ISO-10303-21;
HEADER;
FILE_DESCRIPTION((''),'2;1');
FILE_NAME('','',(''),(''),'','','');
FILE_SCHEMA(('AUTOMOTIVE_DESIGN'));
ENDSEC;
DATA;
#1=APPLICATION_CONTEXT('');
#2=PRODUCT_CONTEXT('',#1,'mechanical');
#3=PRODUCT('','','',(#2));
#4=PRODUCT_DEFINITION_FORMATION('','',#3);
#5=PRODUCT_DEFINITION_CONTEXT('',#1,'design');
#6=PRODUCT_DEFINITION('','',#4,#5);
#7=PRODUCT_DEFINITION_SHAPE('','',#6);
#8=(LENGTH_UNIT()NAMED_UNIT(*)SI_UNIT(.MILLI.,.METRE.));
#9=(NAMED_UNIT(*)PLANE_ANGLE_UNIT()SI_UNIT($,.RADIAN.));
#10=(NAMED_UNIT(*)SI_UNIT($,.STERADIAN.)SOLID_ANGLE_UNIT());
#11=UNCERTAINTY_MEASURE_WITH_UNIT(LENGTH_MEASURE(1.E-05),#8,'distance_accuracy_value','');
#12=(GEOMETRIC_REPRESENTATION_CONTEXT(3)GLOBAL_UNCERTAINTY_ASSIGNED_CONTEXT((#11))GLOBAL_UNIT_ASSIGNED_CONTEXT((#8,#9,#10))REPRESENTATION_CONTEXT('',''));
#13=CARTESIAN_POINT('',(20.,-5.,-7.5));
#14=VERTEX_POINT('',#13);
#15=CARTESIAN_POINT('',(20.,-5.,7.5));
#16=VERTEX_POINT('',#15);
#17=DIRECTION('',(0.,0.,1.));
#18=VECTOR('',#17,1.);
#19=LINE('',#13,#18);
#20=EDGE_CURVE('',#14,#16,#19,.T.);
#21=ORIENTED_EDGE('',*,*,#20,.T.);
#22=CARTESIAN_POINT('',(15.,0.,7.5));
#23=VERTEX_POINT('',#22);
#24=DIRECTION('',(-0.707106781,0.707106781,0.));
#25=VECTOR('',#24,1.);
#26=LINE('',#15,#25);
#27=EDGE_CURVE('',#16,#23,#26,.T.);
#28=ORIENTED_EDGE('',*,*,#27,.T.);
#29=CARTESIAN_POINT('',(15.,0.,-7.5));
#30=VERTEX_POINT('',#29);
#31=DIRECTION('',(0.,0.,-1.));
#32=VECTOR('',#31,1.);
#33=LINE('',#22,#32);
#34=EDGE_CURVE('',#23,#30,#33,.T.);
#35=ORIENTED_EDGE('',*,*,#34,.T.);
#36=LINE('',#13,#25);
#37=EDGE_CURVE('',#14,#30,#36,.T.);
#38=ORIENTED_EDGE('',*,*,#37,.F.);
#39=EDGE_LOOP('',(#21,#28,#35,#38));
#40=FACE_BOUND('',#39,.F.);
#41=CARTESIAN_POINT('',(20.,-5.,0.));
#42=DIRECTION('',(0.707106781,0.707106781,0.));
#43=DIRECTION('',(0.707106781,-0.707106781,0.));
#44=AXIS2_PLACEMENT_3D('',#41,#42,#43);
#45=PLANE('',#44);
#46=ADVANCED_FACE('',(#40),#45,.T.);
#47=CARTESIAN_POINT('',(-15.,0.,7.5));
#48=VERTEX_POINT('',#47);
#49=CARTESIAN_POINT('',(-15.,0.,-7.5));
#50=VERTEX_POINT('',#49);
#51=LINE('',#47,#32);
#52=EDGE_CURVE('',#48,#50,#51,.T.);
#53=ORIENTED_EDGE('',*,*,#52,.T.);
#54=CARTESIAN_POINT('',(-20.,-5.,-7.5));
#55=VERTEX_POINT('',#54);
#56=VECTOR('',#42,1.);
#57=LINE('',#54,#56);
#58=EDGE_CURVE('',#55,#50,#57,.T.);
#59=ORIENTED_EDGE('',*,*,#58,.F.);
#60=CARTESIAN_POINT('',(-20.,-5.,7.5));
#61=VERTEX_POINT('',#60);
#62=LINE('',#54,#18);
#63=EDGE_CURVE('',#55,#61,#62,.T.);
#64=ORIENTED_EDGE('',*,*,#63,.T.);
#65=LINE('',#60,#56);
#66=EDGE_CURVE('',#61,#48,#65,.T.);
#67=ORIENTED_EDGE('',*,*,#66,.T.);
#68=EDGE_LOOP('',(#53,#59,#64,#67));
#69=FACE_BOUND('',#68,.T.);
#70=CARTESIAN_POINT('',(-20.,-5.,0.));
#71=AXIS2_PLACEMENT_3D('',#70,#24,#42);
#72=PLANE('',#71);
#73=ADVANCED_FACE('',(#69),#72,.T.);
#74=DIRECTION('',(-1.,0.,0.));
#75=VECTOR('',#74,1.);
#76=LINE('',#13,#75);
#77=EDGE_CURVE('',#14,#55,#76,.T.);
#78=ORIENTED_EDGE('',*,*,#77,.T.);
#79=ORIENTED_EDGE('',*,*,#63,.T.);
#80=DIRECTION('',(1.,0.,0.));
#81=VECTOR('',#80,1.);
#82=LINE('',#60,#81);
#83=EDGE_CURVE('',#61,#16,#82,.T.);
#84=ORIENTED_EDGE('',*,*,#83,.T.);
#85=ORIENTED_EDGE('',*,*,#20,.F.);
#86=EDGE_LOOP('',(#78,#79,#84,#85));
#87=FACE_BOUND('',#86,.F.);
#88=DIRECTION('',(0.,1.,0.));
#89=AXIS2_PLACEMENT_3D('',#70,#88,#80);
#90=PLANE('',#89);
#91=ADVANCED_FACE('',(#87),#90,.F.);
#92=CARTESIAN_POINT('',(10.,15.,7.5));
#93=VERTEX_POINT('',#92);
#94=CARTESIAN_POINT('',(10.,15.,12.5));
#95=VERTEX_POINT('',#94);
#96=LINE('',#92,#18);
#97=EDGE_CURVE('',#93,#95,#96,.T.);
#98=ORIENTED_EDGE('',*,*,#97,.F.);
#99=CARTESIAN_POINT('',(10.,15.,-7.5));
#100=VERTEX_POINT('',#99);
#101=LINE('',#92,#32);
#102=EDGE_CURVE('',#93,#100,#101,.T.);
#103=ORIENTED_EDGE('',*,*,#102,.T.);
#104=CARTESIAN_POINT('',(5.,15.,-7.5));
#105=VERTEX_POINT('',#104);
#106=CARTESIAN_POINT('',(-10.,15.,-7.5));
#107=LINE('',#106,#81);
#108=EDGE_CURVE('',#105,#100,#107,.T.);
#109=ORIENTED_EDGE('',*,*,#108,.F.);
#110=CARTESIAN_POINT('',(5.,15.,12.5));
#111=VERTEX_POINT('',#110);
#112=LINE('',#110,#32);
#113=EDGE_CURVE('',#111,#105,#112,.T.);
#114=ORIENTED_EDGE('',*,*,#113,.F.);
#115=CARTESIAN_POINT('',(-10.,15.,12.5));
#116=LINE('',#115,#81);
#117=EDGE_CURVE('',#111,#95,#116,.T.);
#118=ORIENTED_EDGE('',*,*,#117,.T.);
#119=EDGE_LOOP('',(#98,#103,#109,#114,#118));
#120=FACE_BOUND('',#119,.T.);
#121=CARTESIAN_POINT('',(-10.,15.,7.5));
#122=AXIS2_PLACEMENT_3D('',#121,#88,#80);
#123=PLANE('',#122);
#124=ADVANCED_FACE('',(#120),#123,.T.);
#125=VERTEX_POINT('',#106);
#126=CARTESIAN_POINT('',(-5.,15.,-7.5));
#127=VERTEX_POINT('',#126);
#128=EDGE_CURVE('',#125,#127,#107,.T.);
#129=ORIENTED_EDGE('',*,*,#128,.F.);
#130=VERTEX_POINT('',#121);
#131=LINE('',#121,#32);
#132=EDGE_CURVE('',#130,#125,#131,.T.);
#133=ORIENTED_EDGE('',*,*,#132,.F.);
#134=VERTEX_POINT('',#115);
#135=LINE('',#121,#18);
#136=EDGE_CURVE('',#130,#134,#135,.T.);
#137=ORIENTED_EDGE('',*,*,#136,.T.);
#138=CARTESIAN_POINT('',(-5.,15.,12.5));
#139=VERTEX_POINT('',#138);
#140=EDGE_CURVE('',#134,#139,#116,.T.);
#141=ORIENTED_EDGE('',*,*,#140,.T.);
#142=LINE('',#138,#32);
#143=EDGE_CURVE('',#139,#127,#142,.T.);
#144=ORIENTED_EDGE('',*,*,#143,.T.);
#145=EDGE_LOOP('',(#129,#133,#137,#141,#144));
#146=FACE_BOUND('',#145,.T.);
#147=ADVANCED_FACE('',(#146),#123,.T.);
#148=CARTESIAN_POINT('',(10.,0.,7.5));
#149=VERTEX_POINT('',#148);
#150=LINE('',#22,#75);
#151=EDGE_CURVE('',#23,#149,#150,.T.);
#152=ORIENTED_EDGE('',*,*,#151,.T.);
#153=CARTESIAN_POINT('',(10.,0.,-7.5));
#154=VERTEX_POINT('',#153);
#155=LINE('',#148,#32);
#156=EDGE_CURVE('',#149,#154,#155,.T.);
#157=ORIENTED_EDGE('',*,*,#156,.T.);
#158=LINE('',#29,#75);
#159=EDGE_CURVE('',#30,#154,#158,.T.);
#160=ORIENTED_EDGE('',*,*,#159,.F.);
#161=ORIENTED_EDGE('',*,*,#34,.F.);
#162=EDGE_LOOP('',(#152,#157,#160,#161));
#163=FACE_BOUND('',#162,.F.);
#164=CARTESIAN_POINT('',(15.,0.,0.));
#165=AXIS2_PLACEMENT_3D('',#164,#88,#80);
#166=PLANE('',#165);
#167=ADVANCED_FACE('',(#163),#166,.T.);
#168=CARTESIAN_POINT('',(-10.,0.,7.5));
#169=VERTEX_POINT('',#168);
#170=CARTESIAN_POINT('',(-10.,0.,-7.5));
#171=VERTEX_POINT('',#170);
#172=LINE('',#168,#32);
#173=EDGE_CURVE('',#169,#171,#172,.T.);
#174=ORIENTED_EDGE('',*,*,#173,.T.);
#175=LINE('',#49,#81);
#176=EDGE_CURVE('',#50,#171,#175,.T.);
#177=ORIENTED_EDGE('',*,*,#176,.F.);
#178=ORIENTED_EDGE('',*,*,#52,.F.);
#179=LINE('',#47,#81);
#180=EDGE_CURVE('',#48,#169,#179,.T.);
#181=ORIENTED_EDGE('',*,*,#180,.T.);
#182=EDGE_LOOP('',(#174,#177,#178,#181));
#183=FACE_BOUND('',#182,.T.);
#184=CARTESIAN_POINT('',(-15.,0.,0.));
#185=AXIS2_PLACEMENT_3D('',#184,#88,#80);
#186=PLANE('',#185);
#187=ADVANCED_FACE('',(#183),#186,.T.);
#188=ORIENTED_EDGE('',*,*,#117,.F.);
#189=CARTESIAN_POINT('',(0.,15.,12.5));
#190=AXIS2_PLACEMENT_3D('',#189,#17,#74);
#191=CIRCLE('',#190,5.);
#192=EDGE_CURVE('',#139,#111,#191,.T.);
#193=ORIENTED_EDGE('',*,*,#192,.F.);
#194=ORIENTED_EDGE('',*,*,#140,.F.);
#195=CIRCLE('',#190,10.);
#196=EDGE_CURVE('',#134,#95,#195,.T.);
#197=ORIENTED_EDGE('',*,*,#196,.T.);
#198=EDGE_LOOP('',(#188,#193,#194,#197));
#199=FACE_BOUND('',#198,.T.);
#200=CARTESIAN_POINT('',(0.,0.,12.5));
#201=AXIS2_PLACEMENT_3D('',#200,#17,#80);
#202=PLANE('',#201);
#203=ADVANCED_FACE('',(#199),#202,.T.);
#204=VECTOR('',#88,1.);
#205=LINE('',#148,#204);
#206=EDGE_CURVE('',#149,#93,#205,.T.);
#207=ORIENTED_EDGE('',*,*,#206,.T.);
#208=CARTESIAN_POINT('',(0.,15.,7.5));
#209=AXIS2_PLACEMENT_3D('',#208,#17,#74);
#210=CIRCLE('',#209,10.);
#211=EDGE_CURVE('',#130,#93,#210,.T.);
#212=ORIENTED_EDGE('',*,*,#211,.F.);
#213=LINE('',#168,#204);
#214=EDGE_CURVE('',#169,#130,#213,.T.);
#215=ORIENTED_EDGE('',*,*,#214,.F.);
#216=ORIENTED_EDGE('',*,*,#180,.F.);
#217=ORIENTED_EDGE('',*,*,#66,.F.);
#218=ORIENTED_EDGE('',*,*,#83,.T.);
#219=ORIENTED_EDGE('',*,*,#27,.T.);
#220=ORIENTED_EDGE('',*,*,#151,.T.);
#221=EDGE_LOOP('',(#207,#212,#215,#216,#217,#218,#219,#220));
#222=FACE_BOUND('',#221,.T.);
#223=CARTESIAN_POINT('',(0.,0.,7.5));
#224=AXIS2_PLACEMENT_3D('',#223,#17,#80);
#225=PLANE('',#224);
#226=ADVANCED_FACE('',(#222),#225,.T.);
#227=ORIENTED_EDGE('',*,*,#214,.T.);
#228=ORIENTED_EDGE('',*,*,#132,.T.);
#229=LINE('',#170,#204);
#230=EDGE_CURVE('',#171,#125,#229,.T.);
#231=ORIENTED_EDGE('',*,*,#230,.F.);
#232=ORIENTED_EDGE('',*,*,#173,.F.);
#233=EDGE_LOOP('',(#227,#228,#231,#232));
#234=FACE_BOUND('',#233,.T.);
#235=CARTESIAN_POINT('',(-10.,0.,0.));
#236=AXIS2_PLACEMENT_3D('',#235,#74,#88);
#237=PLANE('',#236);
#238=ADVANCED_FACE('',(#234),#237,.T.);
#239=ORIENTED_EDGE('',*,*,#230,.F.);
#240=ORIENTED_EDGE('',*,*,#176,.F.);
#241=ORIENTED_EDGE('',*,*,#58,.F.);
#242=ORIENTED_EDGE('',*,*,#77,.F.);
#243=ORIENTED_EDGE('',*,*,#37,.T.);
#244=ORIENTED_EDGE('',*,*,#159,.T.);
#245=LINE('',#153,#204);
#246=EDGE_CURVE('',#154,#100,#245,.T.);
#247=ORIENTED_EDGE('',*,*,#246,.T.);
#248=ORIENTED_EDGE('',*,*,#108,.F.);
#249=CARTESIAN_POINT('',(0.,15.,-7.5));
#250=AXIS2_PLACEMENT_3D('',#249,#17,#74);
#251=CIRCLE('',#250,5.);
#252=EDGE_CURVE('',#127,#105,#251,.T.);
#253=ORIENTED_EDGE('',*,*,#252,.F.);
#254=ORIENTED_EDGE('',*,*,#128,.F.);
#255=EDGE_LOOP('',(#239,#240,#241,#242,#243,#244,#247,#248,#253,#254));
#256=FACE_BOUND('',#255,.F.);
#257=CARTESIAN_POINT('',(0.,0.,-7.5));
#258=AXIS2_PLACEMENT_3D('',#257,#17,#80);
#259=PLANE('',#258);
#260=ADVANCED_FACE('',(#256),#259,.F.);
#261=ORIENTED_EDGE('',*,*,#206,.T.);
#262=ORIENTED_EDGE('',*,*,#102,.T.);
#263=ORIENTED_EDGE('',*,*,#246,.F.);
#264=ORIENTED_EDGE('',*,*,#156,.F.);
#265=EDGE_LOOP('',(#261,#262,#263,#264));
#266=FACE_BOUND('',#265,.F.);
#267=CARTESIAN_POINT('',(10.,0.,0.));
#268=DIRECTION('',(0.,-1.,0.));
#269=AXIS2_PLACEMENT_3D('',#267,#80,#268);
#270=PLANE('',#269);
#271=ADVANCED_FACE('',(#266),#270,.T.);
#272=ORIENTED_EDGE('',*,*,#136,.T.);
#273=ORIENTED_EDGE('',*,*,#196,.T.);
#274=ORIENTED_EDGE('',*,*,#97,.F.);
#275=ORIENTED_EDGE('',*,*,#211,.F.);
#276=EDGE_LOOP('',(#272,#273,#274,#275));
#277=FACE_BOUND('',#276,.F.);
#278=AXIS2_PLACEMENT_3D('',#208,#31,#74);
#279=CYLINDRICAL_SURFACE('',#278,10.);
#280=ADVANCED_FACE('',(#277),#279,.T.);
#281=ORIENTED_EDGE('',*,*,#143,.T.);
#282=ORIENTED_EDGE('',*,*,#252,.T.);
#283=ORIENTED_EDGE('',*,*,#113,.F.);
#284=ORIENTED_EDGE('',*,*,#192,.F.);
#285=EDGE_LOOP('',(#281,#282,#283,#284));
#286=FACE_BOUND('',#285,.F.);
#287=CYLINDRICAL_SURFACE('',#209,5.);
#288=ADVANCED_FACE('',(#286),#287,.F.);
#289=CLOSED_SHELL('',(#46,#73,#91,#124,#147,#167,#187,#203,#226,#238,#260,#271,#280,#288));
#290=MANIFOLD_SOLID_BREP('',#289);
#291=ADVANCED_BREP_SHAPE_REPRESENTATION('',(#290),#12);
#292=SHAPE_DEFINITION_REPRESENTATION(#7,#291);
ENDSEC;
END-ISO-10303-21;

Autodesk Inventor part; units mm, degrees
ref_plane "YZ Plane" through (0, 0, 0) normal (1, 0, 0) x (0, 1, 0)
ref_plane "XZ Plane" through (0, 0, 0) normal (0, 1, 0) x (-1, 0, 0)
ref_plane "XY Plane" through (0, 0, 0) normal (0, 0, 1) x (1, 0, 0)
sketch "草圖1" plane through (0, 0, 0) normal (0, 0, 1) x (1, 0, 0)
  line L0 (-20, -5) -> (0, -5)
  line L1 (-20, -5) -> (-15, 0)
  line L2 (-15, 0) -> (-10, 0)
  line L3 (-10, 0) -> (-10, 15)
  line L4 (-10, 15) -> (0, 15)
  line L5 (0, -5) -> (0, 15)
  point P0 (0, 0)
  dimension "d0" = 20
  dimension "d1" = 5
  dimension "d2" = 5
  dimension "d3" = 20
  dimension "d4" = 10
extrude "擠出1" add sketch "草圖1" along normal mid plane 15
mirror "鏡射1" about plane through (0, -5, 0) normal (1, 0, 0) of "擠出1"
sketch "草圖2" plane through (0, 0, 7.5) normal (0, 0, 1) x (1, 0, 0)
  line L0 (-20, -5) -> (20, -5) construction
  line L1 (15, 0) -> (20, -5) construction
  line L2 (10, 0) -> (15, 0) construction
  line L3 (10, 15) -> (10, 0) construction
  line L4 (-10, 15) -> (10, 15) construction
  line L5 (-10, 15) -> (-10, 0) construction
  line L6 (-10, 0) -> (-15, 0) construction
  line L7 (-15, 0) -> (-20, -5) construction
  line L8 (-10, 15) -> (10, 15) projected
  arc A0 (-10, 15) -> (10, 15) centre (0, 15) ccw
  arc A1 (-5, 15) -> (5, 15) centre (0, 15) ccw
  point P0 (0, 0)
  dimension "d7" = 10
extrude "擠出2" add sketch "草圖2" along normal blind 5 contours L8 A1 A0
sketch "草圖3" plane through (0, 0, 7.5) normal (0, 0, 1) x (1, 0, 0)
  arc A0 (-5, 15) -> (5, 15) centre (0, 15) ccw projected
  line L0 (-5, 15) -> (5, 15) projected
  point P0 (0, 0)
extrude "擠出3" cut sketch "草圖3" against normal through all
properties part number "1"
